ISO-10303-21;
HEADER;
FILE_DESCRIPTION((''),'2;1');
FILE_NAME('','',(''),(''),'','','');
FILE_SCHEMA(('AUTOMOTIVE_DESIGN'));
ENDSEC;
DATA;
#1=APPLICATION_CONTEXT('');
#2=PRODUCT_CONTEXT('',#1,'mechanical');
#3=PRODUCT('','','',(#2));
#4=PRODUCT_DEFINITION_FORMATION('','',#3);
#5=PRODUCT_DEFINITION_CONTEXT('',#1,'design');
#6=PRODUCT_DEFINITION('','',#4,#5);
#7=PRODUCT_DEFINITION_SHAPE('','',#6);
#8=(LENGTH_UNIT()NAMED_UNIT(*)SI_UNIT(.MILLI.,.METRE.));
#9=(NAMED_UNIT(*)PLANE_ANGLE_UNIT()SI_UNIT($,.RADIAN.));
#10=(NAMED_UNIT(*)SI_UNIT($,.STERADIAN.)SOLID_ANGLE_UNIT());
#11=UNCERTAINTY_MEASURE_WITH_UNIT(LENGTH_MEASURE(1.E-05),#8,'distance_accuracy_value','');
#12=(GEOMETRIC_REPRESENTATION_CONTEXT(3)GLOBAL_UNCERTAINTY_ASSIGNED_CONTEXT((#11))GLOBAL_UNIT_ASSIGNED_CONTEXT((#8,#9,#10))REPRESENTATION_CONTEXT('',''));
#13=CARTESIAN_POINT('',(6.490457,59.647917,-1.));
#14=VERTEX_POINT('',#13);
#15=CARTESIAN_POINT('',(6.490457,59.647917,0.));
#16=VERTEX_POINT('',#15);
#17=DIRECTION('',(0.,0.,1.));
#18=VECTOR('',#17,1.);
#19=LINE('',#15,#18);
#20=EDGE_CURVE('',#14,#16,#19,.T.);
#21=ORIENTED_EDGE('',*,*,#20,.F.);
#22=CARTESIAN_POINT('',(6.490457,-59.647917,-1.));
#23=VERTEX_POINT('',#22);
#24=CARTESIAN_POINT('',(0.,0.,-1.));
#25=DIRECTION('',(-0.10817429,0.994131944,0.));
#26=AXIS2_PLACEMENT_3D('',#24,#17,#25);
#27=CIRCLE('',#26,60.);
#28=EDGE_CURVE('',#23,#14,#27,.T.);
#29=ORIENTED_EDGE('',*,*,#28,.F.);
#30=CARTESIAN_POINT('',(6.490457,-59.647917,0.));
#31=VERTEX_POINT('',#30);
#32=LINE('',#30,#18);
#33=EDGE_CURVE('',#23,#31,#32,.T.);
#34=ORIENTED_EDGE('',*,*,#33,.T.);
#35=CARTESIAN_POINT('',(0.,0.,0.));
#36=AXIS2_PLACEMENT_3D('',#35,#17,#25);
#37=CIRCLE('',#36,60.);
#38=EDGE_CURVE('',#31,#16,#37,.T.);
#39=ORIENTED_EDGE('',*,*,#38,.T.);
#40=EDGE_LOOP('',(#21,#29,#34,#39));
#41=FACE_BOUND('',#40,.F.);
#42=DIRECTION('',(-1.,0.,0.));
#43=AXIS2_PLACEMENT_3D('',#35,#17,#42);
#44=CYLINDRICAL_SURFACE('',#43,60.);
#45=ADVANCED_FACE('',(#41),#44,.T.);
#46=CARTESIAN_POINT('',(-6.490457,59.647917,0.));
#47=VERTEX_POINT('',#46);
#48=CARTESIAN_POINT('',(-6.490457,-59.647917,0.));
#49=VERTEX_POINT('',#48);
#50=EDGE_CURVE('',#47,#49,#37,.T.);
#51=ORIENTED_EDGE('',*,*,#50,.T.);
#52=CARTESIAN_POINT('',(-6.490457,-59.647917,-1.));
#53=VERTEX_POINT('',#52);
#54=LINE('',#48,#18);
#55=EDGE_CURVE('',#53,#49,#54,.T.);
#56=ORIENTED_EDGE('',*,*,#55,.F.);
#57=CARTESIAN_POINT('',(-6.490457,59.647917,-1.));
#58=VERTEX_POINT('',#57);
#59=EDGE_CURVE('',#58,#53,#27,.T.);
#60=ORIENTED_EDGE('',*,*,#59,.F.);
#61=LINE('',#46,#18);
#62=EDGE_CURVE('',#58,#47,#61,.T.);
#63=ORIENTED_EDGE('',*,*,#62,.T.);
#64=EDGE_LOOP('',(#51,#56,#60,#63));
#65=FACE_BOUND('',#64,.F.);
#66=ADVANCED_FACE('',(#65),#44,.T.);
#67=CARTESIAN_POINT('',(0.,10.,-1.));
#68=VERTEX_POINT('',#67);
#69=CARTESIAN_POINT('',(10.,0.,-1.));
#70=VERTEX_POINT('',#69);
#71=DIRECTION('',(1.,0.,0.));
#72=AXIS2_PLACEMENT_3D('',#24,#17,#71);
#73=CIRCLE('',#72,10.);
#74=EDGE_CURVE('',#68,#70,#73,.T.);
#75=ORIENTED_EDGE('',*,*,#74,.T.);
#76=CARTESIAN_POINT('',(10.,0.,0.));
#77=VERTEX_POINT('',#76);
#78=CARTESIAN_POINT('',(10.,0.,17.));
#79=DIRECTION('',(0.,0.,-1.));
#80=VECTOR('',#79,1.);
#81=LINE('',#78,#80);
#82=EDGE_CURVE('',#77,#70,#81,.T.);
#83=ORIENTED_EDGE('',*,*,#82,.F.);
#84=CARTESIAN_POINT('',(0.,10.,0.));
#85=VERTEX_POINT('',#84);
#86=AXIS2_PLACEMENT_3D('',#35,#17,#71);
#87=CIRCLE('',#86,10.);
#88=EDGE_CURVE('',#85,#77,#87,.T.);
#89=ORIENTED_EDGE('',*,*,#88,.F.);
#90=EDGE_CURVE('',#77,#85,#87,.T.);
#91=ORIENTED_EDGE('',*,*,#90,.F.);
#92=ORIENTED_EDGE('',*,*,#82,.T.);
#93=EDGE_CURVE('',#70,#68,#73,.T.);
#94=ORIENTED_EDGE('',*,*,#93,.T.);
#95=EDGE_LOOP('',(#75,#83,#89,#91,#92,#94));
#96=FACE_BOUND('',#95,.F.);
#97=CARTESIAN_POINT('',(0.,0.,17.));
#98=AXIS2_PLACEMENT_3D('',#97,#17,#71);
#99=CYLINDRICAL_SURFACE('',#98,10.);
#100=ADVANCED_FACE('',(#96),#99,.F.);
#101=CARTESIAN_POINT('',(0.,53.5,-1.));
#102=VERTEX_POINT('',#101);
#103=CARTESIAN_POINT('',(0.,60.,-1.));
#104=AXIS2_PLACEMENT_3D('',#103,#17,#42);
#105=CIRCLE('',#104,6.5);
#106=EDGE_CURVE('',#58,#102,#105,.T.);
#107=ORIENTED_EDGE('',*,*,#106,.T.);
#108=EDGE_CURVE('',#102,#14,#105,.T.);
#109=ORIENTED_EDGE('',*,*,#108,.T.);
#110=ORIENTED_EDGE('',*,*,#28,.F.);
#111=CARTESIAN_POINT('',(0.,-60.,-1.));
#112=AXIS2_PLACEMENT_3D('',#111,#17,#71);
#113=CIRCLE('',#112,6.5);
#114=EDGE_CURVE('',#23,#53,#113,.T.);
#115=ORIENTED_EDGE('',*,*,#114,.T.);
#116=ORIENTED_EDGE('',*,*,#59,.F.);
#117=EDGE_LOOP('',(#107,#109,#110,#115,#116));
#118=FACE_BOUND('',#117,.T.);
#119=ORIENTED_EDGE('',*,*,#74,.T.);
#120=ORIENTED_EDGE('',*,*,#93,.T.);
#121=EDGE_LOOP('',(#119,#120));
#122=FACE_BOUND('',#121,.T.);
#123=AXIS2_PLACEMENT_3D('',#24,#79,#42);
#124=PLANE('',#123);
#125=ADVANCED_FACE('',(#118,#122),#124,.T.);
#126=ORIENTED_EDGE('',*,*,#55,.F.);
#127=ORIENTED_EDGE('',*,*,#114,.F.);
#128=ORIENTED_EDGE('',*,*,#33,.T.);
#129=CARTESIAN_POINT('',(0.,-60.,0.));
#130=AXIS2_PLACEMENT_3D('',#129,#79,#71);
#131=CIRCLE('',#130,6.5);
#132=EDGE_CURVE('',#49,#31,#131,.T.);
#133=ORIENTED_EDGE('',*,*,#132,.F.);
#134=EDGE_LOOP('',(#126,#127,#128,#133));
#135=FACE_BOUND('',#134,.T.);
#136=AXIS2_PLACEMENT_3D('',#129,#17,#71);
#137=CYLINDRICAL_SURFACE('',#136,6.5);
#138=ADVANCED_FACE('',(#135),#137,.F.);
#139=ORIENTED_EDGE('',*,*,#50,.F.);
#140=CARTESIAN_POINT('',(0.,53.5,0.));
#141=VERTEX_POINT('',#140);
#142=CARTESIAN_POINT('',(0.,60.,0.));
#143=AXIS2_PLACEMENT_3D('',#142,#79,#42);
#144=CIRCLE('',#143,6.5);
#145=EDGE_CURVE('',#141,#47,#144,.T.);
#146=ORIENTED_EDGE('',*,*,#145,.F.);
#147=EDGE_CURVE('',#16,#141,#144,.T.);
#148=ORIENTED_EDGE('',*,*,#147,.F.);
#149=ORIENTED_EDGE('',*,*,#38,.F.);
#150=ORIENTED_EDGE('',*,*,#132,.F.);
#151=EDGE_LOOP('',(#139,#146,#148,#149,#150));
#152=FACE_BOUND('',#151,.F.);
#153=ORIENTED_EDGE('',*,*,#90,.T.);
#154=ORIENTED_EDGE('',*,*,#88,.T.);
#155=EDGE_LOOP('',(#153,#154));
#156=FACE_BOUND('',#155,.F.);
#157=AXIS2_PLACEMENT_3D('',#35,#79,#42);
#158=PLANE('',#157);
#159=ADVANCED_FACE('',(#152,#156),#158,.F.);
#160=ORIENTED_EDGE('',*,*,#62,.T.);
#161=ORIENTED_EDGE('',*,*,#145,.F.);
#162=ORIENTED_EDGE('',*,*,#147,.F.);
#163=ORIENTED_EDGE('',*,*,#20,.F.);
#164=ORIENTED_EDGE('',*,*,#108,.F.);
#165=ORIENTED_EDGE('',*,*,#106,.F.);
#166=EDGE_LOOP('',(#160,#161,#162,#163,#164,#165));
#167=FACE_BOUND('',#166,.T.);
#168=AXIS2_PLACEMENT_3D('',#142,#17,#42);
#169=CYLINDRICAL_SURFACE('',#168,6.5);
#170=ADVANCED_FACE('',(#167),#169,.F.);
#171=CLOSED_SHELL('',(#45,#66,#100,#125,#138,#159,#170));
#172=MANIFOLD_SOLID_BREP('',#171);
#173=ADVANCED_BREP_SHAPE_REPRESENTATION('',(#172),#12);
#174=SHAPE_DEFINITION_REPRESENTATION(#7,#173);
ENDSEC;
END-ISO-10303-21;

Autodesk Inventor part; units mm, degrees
ref_plane "YZ Plane" through (0, 0, 0) normal (1, 0, 0) x (0, 1, 0)
ref_plane "XZ Plane" through (0, 0, 0) normal (0, 1, 0) x (-1, 0, 0)
ref_plane "XY Plane" through (0, 0, 0) normal (0, 0, 1) x (1, 0, 0)
sketch "草圖1" plane through (0, 0, 0) normal (0, 0, 1) x (1, 0, 0)
  circle A0 centre (0, 0) radius 10
  dimension "d0" = 20
extrude "擠出1" add sketch "草圖1" along normal blind 17
sketch "草圖2" plane through (0, 0, 0) normal (0, 0, -1) x (-1, 0, 0)
  circle A0 centre (0, 0) radius 10 projected
  circle A1 centre (0, 0) radius 60
  line L0 (0, 0) -> (0, 60)
  circle A2 centre (0, 60) radius 6.5
  dimension "d3" = 120
  dimension "d4" = 13
extrude "擠出2" add sketch "草圖2" along normal blind 1 contours A0 | A2 A1 | A2 A1 L0 | L0 A1 A2 picked at (-11.4207, 38.8636)
extrude "擠出3" cut sketch "草圖2" along normal blind 1 contours A2 A1 L0 | L0 A1 A2 | A1 A2 picked at (1.4483, 62.0284)
pattern_circular "環形陣列1" count 2 over 360 about axis through (0, 0, 0) along (0, 0, -1) of "擠出3"
sketch "草圖3" plane through (0, 0, 17) normal (0, 0, 1) x (1, 0, 0)
  circle A0 centre (0, 0) radius 10 projected
extrude "擠出4" cut sketch "草圖3" against normal blind 65
